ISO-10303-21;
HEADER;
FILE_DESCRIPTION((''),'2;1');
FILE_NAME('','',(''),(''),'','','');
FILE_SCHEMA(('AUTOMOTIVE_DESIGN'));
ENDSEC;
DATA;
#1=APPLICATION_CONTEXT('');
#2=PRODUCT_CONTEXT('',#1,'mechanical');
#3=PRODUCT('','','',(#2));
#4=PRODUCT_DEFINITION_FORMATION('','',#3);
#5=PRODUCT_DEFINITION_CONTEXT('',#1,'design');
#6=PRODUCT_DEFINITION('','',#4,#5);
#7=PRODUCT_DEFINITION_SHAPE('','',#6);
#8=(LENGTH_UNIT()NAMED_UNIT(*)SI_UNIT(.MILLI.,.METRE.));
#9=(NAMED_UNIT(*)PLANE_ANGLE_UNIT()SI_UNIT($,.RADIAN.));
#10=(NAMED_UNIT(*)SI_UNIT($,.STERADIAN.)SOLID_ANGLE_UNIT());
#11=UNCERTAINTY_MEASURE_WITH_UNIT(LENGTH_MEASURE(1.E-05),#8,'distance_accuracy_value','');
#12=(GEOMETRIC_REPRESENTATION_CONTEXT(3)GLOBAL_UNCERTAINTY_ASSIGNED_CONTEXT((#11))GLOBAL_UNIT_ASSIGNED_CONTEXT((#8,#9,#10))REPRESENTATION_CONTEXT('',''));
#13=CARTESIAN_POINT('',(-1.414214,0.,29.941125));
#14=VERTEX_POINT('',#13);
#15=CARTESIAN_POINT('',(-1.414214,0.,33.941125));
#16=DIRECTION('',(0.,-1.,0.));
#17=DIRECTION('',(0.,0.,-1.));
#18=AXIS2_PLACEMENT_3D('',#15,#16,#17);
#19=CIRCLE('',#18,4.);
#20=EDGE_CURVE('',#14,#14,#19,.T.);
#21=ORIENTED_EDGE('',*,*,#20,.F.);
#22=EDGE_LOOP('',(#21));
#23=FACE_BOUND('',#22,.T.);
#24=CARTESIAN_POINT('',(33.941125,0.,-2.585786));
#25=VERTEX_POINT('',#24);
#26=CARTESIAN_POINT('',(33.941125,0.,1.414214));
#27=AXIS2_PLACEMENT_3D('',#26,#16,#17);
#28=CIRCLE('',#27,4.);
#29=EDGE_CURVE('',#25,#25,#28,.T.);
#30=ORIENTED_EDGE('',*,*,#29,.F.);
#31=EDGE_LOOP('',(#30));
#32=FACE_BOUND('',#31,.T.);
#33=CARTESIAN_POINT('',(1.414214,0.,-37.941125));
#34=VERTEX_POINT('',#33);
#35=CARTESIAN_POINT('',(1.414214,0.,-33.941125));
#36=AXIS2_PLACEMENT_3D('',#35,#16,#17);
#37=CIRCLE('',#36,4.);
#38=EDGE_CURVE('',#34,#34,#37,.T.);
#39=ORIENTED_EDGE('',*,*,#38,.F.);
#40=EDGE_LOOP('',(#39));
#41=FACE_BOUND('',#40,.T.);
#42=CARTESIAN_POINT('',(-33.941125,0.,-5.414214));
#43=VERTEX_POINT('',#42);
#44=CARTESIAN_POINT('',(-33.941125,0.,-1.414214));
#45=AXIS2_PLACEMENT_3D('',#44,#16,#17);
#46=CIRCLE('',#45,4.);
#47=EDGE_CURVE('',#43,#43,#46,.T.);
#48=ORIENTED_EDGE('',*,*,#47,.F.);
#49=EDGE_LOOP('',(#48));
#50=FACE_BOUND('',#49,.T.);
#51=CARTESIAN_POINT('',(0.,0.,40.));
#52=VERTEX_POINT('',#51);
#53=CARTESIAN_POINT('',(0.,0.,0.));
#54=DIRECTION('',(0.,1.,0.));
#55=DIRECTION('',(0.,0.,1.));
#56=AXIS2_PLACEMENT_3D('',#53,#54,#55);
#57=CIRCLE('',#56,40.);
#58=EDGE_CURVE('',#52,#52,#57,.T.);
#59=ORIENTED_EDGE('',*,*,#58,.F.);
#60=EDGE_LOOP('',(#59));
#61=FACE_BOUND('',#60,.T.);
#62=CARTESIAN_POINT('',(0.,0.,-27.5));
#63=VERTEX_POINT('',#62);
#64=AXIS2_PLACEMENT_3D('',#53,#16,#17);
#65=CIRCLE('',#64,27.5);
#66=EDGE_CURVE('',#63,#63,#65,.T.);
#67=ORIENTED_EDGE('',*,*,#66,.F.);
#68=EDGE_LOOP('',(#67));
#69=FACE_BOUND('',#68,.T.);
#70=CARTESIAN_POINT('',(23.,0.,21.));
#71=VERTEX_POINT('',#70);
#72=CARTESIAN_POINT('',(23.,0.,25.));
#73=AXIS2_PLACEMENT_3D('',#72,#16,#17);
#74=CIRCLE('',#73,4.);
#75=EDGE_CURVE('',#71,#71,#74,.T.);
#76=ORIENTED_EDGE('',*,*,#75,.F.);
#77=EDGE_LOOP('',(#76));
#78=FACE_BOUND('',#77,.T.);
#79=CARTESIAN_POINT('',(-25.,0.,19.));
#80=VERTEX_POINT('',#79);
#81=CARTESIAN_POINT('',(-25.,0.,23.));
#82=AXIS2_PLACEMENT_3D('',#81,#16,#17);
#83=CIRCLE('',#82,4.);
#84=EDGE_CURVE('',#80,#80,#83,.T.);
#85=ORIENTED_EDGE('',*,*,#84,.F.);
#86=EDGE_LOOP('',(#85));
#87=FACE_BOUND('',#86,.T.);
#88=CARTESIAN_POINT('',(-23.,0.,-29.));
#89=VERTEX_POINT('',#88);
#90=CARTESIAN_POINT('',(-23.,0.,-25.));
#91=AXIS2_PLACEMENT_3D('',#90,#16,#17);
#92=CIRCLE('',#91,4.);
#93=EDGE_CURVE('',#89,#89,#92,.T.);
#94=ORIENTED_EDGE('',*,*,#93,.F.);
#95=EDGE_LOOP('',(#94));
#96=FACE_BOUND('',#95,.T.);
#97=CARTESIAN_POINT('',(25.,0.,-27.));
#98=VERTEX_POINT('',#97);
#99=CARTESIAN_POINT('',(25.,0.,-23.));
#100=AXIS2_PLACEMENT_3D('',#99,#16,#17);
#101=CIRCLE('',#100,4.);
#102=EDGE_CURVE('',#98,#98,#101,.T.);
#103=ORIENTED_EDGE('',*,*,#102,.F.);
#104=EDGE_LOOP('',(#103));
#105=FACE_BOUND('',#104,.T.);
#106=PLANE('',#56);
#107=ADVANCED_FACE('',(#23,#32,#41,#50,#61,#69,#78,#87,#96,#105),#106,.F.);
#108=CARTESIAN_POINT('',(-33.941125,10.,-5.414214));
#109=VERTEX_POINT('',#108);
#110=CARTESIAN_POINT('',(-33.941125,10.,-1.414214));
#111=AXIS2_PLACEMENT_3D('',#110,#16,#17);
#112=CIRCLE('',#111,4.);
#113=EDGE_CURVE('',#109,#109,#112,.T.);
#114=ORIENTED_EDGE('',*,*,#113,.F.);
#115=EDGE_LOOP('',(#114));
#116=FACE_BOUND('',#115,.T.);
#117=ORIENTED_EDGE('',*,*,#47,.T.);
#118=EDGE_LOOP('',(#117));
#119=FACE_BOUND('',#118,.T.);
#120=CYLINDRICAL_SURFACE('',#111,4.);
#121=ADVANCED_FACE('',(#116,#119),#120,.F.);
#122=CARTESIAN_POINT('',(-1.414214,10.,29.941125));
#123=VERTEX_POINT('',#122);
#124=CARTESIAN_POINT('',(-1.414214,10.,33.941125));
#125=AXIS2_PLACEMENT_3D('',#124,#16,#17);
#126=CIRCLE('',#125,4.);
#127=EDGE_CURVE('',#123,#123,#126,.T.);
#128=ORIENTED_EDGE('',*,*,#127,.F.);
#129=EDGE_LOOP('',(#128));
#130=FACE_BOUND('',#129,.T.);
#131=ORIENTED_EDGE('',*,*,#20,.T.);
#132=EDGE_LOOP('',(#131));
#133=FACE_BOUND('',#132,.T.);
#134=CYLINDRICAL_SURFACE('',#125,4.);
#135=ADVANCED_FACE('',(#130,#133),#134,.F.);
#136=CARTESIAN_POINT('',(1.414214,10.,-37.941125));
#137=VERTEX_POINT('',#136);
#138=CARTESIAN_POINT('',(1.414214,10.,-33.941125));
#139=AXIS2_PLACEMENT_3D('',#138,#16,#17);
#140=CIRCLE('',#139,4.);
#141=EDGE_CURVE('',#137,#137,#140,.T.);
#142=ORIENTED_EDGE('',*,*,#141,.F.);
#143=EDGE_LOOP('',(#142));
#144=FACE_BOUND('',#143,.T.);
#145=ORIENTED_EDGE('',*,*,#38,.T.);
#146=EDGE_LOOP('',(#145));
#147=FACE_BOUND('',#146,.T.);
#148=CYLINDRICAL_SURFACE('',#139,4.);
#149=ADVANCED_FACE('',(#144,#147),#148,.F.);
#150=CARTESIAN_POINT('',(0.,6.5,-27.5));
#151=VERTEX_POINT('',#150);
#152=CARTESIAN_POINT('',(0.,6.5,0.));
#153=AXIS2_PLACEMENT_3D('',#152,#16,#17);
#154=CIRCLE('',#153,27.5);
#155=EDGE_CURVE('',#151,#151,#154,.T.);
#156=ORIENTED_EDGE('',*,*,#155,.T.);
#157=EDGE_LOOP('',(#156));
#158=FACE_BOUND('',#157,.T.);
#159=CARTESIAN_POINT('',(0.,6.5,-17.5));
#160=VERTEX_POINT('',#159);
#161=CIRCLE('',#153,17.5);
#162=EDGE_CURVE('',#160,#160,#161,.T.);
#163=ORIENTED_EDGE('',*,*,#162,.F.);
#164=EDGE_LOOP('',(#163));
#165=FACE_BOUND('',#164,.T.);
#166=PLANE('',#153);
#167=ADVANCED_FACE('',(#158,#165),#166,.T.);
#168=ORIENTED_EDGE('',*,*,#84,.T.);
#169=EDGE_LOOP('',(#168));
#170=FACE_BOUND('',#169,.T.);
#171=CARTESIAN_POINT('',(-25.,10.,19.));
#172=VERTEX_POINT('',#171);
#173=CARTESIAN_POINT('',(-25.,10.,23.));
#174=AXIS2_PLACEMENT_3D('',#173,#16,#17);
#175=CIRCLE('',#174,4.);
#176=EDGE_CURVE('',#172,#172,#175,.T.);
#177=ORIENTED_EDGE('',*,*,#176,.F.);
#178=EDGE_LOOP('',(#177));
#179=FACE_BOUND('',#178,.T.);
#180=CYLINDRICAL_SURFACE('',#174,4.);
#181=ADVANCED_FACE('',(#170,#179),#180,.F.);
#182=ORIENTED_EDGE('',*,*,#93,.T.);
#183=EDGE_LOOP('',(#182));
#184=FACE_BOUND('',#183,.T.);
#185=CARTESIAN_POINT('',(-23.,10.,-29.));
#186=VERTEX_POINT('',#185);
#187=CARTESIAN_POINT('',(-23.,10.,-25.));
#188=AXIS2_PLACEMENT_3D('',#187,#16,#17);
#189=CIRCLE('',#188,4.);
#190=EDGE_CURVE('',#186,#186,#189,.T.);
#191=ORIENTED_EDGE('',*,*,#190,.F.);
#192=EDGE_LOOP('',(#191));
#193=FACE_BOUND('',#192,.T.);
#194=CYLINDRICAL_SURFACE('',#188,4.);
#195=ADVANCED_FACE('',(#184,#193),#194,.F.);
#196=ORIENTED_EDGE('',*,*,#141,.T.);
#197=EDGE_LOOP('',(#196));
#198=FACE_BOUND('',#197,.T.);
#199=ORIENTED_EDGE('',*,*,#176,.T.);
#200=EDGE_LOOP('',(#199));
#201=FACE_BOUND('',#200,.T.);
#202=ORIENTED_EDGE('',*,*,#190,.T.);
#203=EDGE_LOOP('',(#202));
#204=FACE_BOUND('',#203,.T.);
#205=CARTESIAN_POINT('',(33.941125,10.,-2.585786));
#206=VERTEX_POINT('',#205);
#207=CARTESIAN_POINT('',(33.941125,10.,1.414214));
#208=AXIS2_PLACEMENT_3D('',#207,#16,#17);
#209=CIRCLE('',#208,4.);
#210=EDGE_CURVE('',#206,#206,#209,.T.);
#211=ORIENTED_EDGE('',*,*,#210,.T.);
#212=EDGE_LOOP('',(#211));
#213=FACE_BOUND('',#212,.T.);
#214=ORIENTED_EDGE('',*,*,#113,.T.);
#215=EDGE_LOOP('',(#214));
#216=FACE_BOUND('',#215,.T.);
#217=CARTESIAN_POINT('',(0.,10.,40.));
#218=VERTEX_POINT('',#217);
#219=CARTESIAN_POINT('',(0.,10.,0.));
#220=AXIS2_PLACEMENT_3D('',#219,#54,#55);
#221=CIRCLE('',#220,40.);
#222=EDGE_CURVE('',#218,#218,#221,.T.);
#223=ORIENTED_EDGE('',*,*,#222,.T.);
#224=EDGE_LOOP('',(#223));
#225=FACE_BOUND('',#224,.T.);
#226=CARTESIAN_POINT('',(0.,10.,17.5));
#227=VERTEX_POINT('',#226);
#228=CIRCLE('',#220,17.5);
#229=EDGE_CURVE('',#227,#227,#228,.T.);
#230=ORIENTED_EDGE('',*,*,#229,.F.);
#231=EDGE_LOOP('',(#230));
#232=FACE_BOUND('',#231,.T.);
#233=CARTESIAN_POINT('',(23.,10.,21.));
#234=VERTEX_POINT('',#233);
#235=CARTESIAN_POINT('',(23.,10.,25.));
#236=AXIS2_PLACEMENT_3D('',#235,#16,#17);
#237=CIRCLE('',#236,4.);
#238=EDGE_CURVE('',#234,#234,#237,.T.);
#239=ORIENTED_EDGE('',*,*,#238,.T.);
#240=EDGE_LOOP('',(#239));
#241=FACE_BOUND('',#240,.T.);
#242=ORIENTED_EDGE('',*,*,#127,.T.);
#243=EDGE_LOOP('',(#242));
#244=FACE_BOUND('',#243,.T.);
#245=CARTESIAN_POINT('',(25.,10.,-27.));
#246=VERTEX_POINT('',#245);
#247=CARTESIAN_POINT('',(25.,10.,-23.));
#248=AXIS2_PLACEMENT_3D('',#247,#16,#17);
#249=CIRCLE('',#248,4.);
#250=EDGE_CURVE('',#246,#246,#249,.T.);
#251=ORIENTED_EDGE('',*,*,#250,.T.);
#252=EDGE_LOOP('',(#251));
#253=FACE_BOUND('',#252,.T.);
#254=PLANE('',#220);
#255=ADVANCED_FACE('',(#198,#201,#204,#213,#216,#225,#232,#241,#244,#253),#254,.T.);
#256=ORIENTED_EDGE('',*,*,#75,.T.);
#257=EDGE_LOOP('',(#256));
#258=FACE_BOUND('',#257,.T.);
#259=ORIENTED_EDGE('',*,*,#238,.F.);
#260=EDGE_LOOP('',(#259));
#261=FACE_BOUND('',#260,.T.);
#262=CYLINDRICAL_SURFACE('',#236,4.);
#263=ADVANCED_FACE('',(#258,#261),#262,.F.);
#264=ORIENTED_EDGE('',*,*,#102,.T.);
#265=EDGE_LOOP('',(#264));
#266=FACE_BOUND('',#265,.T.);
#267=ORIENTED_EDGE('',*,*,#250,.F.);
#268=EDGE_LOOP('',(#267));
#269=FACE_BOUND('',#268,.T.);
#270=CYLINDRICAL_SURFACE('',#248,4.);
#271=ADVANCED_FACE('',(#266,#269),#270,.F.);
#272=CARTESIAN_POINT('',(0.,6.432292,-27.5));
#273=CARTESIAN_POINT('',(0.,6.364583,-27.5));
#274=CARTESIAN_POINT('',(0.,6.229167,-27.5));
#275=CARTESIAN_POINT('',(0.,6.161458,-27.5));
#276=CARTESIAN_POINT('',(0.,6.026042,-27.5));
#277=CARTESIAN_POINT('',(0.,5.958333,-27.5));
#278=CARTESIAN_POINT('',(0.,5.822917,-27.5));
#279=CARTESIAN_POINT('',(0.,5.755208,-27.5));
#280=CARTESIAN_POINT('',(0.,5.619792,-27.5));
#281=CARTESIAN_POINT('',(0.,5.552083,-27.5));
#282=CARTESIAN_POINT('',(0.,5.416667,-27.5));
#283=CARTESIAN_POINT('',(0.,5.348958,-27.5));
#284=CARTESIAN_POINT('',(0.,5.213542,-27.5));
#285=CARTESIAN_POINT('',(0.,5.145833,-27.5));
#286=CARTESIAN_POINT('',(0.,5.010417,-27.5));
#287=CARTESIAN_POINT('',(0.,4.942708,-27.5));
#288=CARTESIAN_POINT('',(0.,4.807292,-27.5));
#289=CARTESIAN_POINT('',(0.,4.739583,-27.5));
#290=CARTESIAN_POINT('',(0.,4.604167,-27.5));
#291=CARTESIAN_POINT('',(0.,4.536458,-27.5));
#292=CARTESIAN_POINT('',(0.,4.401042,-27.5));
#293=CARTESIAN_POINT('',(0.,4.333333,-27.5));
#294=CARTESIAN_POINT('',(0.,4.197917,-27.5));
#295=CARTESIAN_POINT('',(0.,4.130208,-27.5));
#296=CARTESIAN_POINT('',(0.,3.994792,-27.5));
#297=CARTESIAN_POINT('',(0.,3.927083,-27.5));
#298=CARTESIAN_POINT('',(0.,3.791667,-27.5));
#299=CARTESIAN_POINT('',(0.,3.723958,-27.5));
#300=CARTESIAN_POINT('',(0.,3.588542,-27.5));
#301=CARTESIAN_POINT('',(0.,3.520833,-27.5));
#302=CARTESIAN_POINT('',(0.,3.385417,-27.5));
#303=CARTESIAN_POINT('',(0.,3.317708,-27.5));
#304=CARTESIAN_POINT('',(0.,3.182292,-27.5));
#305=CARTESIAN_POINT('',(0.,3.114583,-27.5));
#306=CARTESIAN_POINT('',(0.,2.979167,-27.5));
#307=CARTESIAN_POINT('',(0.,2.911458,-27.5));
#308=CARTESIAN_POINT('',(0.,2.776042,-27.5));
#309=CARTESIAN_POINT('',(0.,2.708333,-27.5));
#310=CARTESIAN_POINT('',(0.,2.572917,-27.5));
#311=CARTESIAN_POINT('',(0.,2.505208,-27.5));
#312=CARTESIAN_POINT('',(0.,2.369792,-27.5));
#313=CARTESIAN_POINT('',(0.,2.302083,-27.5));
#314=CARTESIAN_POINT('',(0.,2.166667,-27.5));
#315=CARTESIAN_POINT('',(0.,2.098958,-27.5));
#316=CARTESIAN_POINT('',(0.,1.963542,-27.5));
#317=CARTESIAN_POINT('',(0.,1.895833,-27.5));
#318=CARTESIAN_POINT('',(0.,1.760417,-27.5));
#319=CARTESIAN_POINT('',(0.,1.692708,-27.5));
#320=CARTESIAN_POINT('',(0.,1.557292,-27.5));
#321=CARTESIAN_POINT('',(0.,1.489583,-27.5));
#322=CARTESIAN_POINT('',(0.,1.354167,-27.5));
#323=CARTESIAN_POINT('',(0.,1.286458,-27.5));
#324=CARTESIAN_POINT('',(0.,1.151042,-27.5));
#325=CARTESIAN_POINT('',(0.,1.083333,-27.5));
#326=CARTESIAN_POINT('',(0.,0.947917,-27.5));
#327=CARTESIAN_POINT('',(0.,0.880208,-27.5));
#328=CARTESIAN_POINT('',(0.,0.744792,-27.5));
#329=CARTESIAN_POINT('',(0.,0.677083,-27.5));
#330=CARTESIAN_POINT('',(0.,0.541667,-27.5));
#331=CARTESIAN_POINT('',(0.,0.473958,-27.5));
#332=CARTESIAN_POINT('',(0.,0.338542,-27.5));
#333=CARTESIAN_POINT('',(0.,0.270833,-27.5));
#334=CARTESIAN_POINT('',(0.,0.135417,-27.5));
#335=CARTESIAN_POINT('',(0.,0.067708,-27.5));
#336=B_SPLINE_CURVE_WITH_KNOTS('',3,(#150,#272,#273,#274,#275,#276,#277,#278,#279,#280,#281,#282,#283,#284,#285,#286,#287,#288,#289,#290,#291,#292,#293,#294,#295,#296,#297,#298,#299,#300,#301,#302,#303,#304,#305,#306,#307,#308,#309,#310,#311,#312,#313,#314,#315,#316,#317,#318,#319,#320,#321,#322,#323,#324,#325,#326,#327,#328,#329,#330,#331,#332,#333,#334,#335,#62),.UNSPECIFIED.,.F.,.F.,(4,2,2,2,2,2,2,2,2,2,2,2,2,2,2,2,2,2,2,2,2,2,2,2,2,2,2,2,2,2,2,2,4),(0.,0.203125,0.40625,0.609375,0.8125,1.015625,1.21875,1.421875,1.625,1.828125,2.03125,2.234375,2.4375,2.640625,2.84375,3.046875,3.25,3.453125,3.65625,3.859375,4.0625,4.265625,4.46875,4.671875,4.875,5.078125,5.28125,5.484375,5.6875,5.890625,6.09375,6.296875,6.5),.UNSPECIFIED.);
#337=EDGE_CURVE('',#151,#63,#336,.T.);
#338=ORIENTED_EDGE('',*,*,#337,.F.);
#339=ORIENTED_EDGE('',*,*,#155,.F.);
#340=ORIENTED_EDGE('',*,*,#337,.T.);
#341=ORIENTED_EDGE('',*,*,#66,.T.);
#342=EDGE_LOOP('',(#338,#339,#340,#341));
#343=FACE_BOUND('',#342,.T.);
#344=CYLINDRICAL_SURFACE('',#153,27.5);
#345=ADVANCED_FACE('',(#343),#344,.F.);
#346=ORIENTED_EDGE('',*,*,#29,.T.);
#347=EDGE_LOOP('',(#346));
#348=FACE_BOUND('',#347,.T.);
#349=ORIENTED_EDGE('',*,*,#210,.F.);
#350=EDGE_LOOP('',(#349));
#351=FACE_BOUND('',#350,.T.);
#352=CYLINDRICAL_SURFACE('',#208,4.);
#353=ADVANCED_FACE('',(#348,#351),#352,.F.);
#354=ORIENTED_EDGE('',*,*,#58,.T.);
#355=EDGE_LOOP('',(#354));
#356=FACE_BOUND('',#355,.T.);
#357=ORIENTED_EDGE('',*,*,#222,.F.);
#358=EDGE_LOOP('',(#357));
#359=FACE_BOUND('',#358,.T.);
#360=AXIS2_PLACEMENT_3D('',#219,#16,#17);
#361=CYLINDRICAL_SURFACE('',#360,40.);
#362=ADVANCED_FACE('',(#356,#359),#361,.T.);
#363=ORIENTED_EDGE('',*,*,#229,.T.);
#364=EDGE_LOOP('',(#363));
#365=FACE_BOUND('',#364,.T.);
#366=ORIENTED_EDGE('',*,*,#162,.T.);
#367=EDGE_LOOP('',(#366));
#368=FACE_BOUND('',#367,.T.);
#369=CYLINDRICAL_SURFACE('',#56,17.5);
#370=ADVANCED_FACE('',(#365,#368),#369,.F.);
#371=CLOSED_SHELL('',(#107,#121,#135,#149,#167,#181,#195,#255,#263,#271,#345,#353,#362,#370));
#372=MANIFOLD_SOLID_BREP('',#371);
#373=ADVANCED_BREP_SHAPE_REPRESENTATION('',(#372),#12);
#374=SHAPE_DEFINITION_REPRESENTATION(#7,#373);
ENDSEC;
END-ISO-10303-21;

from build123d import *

# Parameters (mm, degrees)
SKETCH1_R           = 40
BOSS_EXTRUDE1_DEPTH = 10
SKETCH3_R           = 27.5
CUT_EXTRUDE2_DEPTH  = 6.5
SKETCH4_R           = 17.5
CUT_EXTRUDE3_DEPTH  = 58.445626465
SKETCH5_R           = 4
CUT_EXTRUDE4_DEPTH  = 58.445626465


with BuildPart() as part:
    # Sketch1 → Boss-Extrude1 (new body)
    with BuildSketch(Plane(origin=(0, 0, 0), x_dir=(1, 0, 0), z_dir=(0, 1, 0))):
        with Locations(Location((0, 0, 0), (0, 0, 270))):
            Circle(SKETCH1_R)
    extrude(amount=BOSS_EXTRUDE1_DEPTH)

    # Sketch3 → Cut-Extrude2 (cut)
    with BuildSketch(Plane.XZ):
        with Locations(Location((0, 0, 0), (0, 0, 270))):
            Circle(SKETCH3_R)
    extrude(amount=-CUT_EXTRUDE2_DEPTH, mode=Mode.SUBTRACT)

    # Sketch4 → Cut-Extrude3 (cut, through all)
    with BuildSketch(Plane(origin=(0, 10, 0), x_dir=(1, 0, 0), z_dir=(0, 1, 0))):
        with Locations(Location((0, 0, 0), (0, 0, 270))):
            Circle(SKETCH4_R)
    extrude(amount=-CUT_EXTRUDE3_DEPTH, mode=Mode.SUBTRACT)

    # Sketch5 → Cut-Extrude4 (cut, through all)
    with BuildSketch(Plane.XZ):
        with Locations(Location((-25, 23, 0), (0, 0, 270))):
            Circle(SKETCH5_R)
        with Locations(Location((-1.414213562, 33.941125497, 0), (0, 0, 270))):
            Circle(SKETCH5_R)
        with Locations(Location((23, 25, 0), (0, 0, 270))):
            Circle(SKETCH5_R)
        with Locations(Location((33.941125497, 1.414213562, 0), (0, 0, 270))):
            Circle(SKETCH5_R)
        with Locations(Location((25, -23, 0), (0, 0, 270))):
            Circle(SKETCH5_R)
        with Locations(Location((1.414213562, -33.941125497, 0), (0, 0, 270))):
            Circle(SKETCH5_R)
        with Locations(Location((-23, -25, 0), (0, 0, 270))):
            Circle(SKETCH5_R)
        with Locations(Location((-33.941125497, -1.414213562, 0), (0, 0, 270))):
            Circle(SKETCH5_R)
    extrude(amount=-CUT_EXTRUDE4_DEPTH, mode=Mode.SUBTRACT)


solid = part.part
